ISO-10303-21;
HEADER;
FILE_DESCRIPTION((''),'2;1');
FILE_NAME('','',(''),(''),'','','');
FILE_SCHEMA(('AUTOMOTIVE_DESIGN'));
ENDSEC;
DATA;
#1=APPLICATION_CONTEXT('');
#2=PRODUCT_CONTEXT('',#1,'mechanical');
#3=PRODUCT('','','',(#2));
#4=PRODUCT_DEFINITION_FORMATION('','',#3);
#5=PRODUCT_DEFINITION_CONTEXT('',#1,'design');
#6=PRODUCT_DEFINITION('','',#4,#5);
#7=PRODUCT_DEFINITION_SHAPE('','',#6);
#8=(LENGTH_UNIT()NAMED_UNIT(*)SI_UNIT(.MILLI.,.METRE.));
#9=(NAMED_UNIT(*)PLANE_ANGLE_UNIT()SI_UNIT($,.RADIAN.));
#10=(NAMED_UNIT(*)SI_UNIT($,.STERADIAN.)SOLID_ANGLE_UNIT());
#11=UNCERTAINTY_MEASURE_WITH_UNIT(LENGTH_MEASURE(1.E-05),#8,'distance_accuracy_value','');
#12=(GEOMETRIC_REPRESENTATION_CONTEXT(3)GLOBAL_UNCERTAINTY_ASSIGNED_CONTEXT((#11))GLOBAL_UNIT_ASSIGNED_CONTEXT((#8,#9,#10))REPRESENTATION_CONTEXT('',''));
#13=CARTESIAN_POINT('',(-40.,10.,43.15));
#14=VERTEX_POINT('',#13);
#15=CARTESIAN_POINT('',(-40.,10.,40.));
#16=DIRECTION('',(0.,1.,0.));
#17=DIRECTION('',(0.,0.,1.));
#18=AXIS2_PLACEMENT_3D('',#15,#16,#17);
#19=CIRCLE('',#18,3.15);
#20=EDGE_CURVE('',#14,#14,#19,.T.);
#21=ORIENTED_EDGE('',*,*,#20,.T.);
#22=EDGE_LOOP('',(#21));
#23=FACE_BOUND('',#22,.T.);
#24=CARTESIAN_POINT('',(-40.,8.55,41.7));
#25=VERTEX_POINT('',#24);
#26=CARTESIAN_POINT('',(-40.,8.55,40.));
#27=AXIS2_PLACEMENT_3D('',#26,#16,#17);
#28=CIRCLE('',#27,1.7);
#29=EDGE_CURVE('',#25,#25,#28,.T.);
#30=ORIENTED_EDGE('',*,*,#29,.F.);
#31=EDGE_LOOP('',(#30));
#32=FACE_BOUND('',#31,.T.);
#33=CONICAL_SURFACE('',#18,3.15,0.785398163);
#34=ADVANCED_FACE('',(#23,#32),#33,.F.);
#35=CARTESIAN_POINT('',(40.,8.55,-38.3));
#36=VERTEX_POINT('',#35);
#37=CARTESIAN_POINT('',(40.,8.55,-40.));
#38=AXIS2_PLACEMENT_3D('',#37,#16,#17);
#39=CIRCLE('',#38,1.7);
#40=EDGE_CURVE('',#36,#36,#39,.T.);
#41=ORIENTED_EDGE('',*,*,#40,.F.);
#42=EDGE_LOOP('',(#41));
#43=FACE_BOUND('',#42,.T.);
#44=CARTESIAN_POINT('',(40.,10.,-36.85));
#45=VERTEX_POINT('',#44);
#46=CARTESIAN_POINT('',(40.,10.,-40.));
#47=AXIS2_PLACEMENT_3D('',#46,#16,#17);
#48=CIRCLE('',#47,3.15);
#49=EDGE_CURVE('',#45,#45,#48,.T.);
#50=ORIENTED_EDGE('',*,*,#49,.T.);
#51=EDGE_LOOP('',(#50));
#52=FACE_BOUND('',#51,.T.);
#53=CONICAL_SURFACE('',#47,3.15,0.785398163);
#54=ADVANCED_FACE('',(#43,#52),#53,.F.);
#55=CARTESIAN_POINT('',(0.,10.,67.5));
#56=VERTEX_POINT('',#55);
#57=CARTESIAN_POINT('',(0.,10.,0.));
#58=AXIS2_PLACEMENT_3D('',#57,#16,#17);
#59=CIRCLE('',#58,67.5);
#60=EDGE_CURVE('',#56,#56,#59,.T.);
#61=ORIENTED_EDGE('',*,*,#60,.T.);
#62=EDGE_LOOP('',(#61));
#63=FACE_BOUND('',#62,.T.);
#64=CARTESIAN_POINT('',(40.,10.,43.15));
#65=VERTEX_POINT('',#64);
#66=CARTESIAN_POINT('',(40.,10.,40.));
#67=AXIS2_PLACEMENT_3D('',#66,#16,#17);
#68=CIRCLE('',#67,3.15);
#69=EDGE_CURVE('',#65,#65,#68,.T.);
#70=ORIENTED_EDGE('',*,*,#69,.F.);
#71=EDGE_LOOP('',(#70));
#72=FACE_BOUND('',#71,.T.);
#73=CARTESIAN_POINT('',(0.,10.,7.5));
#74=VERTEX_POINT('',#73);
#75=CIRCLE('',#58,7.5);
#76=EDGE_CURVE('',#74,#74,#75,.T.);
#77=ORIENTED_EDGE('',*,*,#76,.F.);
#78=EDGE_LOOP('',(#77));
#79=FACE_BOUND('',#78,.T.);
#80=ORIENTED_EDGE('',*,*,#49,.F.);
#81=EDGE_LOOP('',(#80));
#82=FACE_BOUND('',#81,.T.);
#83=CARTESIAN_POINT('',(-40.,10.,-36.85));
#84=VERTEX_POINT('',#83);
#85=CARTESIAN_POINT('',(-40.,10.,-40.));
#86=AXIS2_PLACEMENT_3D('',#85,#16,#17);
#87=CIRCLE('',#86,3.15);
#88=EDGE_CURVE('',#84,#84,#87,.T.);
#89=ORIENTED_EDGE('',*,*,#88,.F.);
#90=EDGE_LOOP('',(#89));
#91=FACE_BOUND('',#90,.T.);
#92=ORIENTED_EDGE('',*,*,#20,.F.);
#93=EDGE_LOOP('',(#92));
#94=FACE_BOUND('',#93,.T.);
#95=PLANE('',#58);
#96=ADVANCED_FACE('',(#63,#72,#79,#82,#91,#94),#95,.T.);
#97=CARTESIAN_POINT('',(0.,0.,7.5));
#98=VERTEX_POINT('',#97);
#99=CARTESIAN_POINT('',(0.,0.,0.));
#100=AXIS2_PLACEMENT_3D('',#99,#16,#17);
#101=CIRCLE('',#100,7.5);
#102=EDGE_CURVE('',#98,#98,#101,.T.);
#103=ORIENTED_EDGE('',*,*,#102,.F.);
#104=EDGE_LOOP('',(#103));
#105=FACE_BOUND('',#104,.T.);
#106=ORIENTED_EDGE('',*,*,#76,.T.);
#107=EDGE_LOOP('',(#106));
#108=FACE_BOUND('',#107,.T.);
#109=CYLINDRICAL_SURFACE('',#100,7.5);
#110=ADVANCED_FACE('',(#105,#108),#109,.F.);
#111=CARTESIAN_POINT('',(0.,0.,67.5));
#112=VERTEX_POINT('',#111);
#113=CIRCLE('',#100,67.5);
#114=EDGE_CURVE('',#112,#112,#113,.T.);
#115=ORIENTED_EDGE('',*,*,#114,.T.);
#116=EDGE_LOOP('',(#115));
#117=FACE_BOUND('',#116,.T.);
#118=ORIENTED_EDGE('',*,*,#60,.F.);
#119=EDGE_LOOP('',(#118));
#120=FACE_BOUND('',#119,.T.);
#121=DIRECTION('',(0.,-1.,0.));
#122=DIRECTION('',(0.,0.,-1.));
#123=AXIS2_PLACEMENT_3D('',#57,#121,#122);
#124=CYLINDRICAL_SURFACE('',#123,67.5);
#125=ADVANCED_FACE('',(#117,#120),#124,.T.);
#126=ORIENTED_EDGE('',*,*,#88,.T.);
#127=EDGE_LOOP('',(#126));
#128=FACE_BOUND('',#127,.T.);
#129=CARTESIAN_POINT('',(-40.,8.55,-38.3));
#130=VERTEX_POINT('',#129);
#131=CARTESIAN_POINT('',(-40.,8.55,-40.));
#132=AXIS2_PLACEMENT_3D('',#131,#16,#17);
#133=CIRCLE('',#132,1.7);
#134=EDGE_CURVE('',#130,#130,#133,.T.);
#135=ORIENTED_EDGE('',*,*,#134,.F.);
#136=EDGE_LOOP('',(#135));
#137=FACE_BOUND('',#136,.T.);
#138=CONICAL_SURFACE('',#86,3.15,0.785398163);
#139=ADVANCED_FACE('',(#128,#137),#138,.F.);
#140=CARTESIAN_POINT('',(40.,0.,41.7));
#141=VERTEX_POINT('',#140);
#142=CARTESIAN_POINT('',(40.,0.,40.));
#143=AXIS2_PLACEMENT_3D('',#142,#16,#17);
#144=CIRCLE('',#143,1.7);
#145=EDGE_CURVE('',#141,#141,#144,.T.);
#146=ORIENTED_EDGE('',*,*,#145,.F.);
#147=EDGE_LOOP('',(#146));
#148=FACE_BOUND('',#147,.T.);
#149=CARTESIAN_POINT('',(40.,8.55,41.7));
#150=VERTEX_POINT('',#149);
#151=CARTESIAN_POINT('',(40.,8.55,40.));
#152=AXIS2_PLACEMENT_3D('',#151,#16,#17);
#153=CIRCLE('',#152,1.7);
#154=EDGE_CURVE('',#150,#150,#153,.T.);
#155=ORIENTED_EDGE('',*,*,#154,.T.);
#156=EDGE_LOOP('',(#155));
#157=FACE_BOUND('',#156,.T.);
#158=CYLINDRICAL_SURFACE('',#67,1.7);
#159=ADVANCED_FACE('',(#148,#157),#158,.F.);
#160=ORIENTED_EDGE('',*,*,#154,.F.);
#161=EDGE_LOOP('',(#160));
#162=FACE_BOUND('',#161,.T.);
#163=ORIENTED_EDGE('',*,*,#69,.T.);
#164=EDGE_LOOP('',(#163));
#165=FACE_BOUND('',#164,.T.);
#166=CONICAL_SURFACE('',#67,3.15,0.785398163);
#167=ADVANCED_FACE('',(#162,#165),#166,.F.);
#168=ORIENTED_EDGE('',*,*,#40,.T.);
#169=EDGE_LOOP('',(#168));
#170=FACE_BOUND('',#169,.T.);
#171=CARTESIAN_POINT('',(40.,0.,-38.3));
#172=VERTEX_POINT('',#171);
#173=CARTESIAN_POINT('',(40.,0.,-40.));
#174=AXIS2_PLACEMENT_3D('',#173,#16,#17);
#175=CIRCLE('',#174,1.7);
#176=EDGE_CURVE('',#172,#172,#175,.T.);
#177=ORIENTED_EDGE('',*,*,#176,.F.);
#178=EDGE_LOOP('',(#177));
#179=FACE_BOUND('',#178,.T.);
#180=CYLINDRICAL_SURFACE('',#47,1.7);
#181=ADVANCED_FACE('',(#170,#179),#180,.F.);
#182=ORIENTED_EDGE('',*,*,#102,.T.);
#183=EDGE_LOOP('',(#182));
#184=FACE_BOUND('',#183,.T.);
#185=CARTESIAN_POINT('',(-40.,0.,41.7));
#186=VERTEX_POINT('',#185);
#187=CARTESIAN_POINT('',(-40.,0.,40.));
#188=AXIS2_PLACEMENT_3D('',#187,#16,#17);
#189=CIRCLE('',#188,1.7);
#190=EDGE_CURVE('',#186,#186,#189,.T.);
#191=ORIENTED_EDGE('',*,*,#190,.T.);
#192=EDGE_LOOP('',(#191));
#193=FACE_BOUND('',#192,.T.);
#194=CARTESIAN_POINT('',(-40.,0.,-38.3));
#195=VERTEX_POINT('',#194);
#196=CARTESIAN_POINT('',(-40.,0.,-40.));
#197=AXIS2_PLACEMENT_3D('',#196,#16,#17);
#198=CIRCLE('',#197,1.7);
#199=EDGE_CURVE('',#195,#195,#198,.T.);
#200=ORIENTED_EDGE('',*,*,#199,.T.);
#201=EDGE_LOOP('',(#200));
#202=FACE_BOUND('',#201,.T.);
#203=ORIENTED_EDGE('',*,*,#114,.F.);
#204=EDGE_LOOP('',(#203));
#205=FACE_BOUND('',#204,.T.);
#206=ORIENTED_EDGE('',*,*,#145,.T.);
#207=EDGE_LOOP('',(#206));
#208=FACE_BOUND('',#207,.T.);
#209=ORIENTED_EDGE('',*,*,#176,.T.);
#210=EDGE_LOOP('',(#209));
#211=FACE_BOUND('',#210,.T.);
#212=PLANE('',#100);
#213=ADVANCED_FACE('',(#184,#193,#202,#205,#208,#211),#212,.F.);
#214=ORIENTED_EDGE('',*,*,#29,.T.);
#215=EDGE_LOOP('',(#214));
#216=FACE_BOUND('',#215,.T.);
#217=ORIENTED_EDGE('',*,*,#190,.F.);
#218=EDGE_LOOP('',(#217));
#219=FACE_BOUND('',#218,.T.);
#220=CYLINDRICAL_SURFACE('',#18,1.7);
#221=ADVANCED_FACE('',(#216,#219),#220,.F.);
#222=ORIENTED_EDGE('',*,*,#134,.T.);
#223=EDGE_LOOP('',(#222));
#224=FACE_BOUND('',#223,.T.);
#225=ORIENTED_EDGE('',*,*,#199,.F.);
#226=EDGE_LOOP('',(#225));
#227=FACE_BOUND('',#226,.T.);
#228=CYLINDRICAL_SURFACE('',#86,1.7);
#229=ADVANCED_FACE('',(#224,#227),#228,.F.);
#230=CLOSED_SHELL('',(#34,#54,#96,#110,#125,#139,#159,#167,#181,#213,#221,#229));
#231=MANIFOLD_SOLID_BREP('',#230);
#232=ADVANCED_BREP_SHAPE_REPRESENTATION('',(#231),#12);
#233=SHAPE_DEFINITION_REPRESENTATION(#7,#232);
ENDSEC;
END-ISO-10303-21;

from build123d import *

# Parameters (mm, degrees)
SKETCH1_R                                           = 67.5
BOSS_EXTRUDE1_DEPTH                                 = 10
CSK_FOR_M3_COUNTERSUNK_FLAT_HEAD_SCREW1_D           = 3.4
CSK_FOR_M3_COUNTERSUNK_FLAT_HEAD_SCREW1_CSINK_D     = 6.3
CSK_FOR_M3_COUNTERSUNK_FLAT_HEAD_SCREW1_CSINK_ANGLE = 90
SKETCH5_R                                           = 7.5
CUT_EXTRUDE1_DEPTH                                  = 96.981769102


with BuildPart() as part:
    # Sketch1 → Boss-Extrude1 (new body)
    with BuildSketch(Plane(origin=(0, 0, 0), x_dir=(1, 0, 0), z_dir=(0, 1, 0))):
        with Locations(Location((0, 0, 0), (0, 0, 270))):
            Circle(SKETCH1_R)
    extrude(amount=BOSS_EXTRUDE1_DEPTH)

    # CSK for M3 Countersunk Flat Head Screw1 (through all)
    with Locations(Plane(origin=(0, 10, 0), x_dir=(1, 0, 0), z_dir=(0, 1, 0))):
        with Locations((-40, 40), (40, 40), (40, -40), (-40, -40)):
            CounterSinkHole(CSK_FOR_M3_COUNTERSUNK_FLAT_HEAD_SCREW1_D / 2, CSK_FOR_M3_COUNTERSUNK_FLAT_HEAD_SCREW1_CSINK_D / 2, counter_sink_angle=CSK_FOR_M3_COUNTERSUNK_FLAT_HEAD_SCREW1_CSINK_ANGLE)

    # Sketch5 → Cut-Extrude1 (cut, through all)
    with BuildSketch(Plane(origin=(0, 10, 0), x_dir=(1, 0, 0), z_dir=(0, 1, 0))):
        with Locations(Location((0, 0, 0), (0, 0, 270))):
            Circle(SKETCH5_R)
    extrude(amount=-CUT_EXTRUDE1_DEPTH, mode=Mode.SUBTRACT)


solid = part.part
